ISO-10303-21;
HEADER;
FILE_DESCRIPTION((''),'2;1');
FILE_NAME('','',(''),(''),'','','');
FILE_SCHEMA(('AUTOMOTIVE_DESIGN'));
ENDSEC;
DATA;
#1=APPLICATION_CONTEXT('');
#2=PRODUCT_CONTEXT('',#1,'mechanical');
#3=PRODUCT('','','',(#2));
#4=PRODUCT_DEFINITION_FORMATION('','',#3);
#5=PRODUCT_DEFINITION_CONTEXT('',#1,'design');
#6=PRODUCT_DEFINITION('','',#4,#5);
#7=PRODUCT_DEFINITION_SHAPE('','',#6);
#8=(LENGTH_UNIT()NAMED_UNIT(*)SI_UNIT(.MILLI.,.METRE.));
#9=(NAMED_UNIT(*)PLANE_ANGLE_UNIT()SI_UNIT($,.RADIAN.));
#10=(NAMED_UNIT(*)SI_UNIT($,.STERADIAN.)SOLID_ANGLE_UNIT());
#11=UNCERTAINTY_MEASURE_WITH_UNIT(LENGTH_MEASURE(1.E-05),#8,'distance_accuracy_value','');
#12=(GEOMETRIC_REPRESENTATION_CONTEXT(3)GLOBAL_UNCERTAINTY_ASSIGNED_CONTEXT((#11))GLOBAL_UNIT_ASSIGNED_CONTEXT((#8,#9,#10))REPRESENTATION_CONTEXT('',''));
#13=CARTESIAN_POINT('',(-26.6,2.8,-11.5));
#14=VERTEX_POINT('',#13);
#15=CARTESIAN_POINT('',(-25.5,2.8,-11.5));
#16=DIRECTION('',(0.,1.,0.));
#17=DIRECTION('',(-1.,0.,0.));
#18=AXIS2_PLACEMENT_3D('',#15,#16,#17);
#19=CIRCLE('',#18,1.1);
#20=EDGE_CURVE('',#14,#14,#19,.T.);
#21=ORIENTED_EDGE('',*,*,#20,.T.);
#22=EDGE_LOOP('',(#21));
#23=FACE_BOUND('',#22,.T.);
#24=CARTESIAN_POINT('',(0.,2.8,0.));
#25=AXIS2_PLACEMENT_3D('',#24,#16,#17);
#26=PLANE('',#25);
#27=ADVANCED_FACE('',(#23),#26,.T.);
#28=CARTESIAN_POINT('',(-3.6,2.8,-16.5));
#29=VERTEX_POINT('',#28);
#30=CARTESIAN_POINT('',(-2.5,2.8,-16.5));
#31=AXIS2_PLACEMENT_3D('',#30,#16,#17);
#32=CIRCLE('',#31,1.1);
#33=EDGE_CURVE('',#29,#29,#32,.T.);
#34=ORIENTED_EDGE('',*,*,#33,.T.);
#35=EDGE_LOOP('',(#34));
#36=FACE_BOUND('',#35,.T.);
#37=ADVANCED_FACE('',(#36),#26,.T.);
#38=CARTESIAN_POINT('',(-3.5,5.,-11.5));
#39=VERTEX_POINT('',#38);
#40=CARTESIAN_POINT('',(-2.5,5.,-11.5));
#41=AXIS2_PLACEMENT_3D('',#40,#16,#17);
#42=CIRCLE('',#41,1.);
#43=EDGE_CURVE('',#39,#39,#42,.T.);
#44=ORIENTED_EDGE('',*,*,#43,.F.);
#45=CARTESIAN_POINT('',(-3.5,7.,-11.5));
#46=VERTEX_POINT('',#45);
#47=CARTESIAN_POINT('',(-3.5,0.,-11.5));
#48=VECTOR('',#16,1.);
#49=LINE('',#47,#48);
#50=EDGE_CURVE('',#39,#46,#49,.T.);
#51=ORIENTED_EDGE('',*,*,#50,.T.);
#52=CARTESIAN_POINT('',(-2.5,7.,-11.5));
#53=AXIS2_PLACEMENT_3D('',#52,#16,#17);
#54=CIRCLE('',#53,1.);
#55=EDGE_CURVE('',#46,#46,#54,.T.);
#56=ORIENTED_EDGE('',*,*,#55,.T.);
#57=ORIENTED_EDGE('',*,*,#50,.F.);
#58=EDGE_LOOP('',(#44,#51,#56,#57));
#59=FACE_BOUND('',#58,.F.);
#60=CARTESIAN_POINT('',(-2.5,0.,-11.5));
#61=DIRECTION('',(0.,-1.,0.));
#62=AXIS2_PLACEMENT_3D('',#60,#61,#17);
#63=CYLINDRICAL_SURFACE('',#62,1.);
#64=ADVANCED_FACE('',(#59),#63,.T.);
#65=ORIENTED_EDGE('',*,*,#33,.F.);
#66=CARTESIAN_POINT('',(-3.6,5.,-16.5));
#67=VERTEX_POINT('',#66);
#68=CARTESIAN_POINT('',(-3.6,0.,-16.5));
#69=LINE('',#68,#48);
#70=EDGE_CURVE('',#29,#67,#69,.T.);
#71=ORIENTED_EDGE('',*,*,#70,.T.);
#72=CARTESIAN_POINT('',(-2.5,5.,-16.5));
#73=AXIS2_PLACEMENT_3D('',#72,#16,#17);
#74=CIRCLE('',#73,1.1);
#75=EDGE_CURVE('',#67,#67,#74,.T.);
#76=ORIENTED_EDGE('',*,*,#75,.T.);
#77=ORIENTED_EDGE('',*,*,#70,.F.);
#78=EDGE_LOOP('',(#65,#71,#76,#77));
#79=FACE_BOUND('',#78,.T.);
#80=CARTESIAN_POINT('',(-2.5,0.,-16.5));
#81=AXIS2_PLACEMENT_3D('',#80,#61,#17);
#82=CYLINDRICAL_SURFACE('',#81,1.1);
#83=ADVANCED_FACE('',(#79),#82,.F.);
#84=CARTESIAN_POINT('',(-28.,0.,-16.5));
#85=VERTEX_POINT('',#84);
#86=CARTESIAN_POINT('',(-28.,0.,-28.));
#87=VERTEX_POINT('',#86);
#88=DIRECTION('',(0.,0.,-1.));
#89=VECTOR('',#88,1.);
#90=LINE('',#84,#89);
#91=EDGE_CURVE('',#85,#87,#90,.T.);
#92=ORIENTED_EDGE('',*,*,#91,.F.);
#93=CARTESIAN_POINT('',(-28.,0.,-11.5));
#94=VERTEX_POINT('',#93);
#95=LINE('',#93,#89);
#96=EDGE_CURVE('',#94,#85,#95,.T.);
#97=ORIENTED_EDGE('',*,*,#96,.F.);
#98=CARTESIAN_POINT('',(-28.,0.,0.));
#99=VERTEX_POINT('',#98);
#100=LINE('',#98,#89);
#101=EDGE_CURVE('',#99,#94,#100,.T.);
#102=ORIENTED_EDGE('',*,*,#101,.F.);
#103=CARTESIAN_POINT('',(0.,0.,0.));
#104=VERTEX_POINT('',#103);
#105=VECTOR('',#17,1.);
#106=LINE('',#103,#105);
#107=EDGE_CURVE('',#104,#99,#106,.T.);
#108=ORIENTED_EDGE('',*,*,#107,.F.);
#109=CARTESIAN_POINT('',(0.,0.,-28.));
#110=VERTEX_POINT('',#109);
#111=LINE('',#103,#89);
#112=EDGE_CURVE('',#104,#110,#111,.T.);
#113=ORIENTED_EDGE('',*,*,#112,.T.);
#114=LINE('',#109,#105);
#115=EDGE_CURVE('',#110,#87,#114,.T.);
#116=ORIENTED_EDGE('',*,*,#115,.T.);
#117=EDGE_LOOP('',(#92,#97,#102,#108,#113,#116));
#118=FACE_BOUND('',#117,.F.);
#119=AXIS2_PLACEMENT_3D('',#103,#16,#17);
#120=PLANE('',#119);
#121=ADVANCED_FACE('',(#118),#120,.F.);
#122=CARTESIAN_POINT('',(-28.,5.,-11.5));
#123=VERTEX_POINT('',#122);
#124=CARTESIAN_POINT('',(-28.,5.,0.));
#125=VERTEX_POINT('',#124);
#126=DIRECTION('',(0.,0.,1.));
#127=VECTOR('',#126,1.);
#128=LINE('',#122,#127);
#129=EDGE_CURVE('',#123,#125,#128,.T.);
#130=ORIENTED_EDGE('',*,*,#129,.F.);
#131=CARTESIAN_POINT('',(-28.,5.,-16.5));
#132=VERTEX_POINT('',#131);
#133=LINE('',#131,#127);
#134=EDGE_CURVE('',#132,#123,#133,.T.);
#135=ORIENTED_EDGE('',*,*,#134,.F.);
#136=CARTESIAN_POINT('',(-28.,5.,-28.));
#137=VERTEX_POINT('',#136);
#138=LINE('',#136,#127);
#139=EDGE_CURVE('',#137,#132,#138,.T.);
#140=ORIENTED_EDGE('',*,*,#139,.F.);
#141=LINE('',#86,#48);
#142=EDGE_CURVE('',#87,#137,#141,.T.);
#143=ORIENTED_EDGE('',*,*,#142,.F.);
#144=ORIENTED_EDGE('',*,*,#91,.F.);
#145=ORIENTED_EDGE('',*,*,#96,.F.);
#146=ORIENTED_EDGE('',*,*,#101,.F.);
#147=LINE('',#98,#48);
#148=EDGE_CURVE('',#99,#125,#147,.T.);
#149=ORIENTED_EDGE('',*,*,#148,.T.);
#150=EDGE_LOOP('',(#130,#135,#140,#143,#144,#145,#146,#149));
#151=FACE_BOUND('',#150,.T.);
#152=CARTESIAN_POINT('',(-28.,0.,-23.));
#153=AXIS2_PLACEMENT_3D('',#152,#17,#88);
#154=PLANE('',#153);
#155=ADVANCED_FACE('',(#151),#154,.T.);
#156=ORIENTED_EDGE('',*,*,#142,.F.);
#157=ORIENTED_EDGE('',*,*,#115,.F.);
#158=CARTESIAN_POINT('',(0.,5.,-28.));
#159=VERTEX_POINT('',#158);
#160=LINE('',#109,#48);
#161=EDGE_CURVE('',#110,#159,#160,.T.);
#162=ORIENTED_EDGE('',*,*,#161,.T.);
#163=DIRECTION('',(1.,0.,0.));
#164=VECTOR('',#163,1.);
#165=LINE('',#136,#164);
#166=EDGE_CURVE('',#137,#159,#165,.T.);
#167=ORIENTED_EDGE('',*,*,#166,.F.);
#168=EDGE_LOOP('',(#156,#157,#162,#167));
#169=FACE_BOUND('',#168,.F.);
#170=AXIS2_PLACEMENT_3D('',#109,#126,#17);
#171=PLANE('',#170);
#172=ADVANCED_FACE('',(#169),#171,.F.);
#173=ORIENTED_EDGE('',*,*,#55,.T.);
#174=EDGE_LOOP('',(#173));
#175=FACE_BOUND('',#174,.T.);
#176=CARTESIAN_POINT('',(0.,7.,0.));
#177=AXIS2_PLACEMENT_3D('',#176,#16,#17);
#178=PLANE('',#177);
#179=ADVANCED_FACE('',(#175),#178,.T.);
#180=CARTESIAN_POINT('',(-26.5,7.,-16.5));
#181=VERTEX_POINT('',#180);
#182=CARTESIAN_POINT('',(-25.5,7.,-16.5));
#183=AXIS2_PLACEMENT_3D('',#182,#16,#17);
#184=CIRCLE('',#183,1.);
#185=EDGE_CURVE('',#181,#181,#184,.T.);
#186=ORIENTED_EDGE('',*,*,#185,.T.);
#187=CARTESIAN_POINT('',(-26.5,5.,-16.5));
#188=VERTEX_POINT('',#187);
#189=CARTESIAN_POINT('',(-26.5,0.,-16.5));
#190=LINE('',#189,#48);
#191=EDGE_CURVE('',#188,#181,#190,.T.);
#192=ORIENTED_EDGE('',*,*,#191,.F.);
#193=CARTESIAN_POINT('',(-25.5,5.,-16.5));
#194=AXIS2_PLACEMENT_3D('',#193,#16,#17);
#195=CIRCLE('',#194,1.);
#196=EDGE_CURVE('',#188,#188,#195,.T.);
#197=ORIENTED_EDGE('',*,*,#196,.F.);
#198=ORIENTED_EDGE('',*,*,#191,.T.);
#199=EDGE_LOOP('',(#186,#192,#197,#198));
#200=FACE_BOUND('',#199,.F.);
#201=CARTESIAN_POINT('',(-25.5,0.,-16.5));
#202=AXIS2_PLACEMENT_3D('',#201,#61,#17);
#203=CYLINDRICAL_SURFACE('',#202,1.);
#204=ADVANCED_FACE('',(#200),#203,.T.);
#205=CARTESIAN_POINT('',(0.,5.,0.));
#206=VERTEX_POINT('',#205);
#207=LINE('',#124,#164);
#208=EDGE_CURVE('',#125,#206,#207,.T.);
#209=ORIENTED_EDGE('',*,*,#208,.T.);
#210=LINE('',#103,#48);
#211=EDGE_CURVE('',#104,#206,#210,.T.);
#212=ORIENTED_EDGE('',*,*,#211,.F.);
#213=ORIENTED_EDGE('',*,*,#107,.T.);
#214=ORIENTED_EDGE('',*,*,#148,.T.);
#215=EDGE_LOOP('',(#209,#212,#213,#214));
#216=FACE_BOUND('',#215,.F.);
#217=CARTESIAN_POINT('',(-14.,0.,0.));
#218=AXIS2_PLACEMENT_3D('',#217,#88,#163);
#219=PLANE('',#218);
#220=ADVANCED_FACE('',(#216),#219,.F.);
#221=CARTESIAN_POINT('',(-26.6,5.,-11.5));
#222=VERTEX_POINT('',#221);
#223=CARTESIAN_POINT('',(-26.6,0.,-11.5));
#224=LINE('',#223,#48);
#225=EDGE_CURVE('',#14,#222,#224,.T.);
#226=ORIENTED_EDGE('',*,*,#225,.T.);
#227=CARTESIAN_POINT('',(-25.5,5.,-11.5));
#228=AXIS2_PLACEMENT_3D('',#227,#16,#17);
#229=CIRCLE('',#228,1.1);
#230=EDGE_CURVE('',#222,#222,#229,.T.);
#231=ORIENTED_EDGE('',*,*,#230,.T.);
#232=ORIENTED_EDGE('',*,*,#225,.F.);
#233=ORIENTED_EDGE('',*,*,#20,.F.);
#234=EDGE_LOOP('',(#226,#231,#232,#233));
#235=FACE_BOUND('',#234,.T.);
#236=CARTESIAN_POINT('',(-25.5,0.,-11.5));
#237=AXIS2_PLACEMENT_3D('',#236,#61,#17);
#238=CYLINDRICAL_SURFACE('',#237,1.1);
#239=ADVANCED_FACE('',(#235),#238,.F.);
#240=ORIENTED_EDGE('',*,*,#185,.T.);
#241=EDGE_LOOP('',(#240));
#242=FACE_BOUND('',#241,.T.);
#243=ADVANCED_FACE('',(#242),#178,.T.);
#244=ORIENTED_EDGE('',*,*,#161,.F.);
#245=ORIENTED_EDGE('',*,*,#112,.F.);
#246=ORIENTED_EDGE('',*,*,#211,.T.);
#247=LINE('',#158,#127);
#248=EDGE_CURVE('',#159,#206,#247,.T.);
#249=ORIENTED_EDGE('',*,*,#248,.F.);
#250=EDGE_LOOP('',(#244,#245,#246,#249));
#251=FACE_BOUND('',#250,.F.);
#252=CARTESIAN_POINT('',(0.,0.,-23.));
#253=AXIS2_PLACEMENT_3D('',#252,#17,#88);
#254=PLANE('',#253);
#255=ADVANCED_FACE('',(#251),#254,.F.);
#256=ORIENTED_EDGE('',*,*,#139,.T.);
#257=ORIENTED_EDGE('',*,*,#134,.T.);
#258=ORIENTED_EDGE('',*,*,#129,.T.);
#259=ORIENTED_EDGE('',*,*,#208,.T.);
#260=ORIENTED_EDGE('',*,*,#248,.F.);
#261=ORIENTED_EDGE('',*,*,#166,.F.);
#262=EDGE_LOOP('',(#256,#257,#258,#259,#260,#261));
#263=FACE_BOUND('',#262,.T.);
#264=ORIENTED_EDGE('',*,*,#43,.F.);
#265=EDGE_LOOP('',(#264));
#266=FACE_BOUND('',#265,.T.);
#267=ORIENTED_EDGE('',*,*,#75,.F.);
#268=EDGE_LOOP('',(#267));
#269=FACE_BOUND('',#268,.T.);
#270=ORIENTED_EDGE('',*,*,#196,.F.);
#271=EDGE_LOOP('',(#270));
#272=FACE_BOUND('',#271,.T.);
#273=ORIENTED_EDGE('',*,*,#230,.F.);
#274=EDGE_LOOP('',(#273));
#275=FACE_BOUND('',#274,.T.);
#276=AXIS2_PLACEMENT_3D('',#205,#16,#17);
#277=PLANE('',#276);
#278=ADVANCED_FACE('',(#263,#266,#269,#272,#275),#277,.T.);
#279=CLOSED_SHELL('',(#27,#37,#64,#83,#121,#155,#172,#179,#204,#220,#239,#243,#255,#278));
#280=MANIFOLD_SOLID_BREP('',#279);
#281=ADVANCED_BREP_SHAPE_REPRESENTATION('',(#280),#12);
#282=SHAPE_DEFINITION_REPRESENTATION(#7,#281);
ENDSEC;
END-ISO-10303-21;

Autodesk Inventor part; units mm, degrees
ref_plane "YZ Plane" through (0, 0, 0) normal (1, 0, 0) x (0, 1, 0)
ref_plane "XZ Plane" through (0, 0, 0) normal (0, 1, 0) x (-1, 0, 0)
ref_plane "XY Plane" through (0, 0, 0) normal (0, 0, 1) x (1, 0, 0)
sketch "Sketch1" plane through (0, 0, 0) normal (0, 1, 0) x (-1, 0, 0)
  line L0 (0, -28) -> (28, -28)
  line L1 (28, 0) -> (0, 0)
  line L2 (0, 0) -> (28, 0) construction
  line L3 (0, -5) -> (0, -23)
  line L4 (28, -9) -> (28, -14)
  line L5 (23, -12) -> (23, -9)
  line L6 (23, -9) -> (28, -9)
  line L7 (28, -19) -> (28, -14)
  line L8 (23, -14) -> (23, -19)
  line L9 (23, -19) -> (28, -19)
  line L10 (28, -3) -> (28, -23)
  line L11 (28, -19) -> (28, -14)
  line L12 (28, -14) -> (28, -9)
  line L13 (28, -9) -> (28, -14)
  line L14 (28, -14) -> (28, -19)
  line L15 (28, -23) -> (28, -28)
  line L16 (28, -3) -> (28, 0)
  line L17 (14, -28) -> (14, 0)
  line L18 (0, -3) -> (0, -23)
  line L19 (0, -19) -> (0, -14)
  line L20 (5, -14) -> (5, -19)
  line L21 (5, -19) -> (0, -19)
  line L22 (0, -9) -> (0, -14)
  line L23 (5, -12) -> (5, -9)
  line L24 (5, -9) -> (0, -9)
  line L25 (0, -19) -> (0, -14)
  line L26 (0, -14) -> (0, -9)
  line L27 (0, -9) -> (0, -14)
  line L28 (0, -14) -> (0, -19)
  circle A0 centre (2.5, -16.5) radius 1.1
  circle A1 centre (2.5, -11.5) radius 1
  line L29 (0, -23) -> (0, -28)
  line L30 (0, 0) -> (0, -28)
  line L31 (25.5, -16.5) -> (28, -16.5)
  line L32 (25.5, -11.5) -> (28, -11.5)
  circle A2 centre (25.5, -16.5) radius 1
  circle A3 centre (25.5, -11.5) radius 1.1
  point P0 (25.5, -19)
  point P1 (25.5, -9)
  point P2 (23, -28)
  point P3 (23, 0)
  point P4 (23, -28)
  point P5 (23, 0)
  point P6 (2.5, -19)
  point P7 (2.5, -9)
  point P8 (28, -9)
  point P9 (0, -9)
  point P10 (28, -19)
  dimension "d18" = 5
  dimension "d20" = 2.5
  dimension "d22" = 2.5
  dimension "d25" = 2
  dimension "d26" = 2.2
  dimension "d27" = 2.2
  dimension "d28" = 28
  dimension "d29" = 28
  dimension "d36" = 28
extrude "Extrusion4" add sketch "Sketch1" along normal blind 5
extrude "Extrusion5" add sketch "Sketch1" along normal blind 7 contours A2 | A1
extrude "Extrusion6" add sketch "Sketch1" along normal blind 2.8 contours A3 | A0
properties part number "SupportoSopra"
